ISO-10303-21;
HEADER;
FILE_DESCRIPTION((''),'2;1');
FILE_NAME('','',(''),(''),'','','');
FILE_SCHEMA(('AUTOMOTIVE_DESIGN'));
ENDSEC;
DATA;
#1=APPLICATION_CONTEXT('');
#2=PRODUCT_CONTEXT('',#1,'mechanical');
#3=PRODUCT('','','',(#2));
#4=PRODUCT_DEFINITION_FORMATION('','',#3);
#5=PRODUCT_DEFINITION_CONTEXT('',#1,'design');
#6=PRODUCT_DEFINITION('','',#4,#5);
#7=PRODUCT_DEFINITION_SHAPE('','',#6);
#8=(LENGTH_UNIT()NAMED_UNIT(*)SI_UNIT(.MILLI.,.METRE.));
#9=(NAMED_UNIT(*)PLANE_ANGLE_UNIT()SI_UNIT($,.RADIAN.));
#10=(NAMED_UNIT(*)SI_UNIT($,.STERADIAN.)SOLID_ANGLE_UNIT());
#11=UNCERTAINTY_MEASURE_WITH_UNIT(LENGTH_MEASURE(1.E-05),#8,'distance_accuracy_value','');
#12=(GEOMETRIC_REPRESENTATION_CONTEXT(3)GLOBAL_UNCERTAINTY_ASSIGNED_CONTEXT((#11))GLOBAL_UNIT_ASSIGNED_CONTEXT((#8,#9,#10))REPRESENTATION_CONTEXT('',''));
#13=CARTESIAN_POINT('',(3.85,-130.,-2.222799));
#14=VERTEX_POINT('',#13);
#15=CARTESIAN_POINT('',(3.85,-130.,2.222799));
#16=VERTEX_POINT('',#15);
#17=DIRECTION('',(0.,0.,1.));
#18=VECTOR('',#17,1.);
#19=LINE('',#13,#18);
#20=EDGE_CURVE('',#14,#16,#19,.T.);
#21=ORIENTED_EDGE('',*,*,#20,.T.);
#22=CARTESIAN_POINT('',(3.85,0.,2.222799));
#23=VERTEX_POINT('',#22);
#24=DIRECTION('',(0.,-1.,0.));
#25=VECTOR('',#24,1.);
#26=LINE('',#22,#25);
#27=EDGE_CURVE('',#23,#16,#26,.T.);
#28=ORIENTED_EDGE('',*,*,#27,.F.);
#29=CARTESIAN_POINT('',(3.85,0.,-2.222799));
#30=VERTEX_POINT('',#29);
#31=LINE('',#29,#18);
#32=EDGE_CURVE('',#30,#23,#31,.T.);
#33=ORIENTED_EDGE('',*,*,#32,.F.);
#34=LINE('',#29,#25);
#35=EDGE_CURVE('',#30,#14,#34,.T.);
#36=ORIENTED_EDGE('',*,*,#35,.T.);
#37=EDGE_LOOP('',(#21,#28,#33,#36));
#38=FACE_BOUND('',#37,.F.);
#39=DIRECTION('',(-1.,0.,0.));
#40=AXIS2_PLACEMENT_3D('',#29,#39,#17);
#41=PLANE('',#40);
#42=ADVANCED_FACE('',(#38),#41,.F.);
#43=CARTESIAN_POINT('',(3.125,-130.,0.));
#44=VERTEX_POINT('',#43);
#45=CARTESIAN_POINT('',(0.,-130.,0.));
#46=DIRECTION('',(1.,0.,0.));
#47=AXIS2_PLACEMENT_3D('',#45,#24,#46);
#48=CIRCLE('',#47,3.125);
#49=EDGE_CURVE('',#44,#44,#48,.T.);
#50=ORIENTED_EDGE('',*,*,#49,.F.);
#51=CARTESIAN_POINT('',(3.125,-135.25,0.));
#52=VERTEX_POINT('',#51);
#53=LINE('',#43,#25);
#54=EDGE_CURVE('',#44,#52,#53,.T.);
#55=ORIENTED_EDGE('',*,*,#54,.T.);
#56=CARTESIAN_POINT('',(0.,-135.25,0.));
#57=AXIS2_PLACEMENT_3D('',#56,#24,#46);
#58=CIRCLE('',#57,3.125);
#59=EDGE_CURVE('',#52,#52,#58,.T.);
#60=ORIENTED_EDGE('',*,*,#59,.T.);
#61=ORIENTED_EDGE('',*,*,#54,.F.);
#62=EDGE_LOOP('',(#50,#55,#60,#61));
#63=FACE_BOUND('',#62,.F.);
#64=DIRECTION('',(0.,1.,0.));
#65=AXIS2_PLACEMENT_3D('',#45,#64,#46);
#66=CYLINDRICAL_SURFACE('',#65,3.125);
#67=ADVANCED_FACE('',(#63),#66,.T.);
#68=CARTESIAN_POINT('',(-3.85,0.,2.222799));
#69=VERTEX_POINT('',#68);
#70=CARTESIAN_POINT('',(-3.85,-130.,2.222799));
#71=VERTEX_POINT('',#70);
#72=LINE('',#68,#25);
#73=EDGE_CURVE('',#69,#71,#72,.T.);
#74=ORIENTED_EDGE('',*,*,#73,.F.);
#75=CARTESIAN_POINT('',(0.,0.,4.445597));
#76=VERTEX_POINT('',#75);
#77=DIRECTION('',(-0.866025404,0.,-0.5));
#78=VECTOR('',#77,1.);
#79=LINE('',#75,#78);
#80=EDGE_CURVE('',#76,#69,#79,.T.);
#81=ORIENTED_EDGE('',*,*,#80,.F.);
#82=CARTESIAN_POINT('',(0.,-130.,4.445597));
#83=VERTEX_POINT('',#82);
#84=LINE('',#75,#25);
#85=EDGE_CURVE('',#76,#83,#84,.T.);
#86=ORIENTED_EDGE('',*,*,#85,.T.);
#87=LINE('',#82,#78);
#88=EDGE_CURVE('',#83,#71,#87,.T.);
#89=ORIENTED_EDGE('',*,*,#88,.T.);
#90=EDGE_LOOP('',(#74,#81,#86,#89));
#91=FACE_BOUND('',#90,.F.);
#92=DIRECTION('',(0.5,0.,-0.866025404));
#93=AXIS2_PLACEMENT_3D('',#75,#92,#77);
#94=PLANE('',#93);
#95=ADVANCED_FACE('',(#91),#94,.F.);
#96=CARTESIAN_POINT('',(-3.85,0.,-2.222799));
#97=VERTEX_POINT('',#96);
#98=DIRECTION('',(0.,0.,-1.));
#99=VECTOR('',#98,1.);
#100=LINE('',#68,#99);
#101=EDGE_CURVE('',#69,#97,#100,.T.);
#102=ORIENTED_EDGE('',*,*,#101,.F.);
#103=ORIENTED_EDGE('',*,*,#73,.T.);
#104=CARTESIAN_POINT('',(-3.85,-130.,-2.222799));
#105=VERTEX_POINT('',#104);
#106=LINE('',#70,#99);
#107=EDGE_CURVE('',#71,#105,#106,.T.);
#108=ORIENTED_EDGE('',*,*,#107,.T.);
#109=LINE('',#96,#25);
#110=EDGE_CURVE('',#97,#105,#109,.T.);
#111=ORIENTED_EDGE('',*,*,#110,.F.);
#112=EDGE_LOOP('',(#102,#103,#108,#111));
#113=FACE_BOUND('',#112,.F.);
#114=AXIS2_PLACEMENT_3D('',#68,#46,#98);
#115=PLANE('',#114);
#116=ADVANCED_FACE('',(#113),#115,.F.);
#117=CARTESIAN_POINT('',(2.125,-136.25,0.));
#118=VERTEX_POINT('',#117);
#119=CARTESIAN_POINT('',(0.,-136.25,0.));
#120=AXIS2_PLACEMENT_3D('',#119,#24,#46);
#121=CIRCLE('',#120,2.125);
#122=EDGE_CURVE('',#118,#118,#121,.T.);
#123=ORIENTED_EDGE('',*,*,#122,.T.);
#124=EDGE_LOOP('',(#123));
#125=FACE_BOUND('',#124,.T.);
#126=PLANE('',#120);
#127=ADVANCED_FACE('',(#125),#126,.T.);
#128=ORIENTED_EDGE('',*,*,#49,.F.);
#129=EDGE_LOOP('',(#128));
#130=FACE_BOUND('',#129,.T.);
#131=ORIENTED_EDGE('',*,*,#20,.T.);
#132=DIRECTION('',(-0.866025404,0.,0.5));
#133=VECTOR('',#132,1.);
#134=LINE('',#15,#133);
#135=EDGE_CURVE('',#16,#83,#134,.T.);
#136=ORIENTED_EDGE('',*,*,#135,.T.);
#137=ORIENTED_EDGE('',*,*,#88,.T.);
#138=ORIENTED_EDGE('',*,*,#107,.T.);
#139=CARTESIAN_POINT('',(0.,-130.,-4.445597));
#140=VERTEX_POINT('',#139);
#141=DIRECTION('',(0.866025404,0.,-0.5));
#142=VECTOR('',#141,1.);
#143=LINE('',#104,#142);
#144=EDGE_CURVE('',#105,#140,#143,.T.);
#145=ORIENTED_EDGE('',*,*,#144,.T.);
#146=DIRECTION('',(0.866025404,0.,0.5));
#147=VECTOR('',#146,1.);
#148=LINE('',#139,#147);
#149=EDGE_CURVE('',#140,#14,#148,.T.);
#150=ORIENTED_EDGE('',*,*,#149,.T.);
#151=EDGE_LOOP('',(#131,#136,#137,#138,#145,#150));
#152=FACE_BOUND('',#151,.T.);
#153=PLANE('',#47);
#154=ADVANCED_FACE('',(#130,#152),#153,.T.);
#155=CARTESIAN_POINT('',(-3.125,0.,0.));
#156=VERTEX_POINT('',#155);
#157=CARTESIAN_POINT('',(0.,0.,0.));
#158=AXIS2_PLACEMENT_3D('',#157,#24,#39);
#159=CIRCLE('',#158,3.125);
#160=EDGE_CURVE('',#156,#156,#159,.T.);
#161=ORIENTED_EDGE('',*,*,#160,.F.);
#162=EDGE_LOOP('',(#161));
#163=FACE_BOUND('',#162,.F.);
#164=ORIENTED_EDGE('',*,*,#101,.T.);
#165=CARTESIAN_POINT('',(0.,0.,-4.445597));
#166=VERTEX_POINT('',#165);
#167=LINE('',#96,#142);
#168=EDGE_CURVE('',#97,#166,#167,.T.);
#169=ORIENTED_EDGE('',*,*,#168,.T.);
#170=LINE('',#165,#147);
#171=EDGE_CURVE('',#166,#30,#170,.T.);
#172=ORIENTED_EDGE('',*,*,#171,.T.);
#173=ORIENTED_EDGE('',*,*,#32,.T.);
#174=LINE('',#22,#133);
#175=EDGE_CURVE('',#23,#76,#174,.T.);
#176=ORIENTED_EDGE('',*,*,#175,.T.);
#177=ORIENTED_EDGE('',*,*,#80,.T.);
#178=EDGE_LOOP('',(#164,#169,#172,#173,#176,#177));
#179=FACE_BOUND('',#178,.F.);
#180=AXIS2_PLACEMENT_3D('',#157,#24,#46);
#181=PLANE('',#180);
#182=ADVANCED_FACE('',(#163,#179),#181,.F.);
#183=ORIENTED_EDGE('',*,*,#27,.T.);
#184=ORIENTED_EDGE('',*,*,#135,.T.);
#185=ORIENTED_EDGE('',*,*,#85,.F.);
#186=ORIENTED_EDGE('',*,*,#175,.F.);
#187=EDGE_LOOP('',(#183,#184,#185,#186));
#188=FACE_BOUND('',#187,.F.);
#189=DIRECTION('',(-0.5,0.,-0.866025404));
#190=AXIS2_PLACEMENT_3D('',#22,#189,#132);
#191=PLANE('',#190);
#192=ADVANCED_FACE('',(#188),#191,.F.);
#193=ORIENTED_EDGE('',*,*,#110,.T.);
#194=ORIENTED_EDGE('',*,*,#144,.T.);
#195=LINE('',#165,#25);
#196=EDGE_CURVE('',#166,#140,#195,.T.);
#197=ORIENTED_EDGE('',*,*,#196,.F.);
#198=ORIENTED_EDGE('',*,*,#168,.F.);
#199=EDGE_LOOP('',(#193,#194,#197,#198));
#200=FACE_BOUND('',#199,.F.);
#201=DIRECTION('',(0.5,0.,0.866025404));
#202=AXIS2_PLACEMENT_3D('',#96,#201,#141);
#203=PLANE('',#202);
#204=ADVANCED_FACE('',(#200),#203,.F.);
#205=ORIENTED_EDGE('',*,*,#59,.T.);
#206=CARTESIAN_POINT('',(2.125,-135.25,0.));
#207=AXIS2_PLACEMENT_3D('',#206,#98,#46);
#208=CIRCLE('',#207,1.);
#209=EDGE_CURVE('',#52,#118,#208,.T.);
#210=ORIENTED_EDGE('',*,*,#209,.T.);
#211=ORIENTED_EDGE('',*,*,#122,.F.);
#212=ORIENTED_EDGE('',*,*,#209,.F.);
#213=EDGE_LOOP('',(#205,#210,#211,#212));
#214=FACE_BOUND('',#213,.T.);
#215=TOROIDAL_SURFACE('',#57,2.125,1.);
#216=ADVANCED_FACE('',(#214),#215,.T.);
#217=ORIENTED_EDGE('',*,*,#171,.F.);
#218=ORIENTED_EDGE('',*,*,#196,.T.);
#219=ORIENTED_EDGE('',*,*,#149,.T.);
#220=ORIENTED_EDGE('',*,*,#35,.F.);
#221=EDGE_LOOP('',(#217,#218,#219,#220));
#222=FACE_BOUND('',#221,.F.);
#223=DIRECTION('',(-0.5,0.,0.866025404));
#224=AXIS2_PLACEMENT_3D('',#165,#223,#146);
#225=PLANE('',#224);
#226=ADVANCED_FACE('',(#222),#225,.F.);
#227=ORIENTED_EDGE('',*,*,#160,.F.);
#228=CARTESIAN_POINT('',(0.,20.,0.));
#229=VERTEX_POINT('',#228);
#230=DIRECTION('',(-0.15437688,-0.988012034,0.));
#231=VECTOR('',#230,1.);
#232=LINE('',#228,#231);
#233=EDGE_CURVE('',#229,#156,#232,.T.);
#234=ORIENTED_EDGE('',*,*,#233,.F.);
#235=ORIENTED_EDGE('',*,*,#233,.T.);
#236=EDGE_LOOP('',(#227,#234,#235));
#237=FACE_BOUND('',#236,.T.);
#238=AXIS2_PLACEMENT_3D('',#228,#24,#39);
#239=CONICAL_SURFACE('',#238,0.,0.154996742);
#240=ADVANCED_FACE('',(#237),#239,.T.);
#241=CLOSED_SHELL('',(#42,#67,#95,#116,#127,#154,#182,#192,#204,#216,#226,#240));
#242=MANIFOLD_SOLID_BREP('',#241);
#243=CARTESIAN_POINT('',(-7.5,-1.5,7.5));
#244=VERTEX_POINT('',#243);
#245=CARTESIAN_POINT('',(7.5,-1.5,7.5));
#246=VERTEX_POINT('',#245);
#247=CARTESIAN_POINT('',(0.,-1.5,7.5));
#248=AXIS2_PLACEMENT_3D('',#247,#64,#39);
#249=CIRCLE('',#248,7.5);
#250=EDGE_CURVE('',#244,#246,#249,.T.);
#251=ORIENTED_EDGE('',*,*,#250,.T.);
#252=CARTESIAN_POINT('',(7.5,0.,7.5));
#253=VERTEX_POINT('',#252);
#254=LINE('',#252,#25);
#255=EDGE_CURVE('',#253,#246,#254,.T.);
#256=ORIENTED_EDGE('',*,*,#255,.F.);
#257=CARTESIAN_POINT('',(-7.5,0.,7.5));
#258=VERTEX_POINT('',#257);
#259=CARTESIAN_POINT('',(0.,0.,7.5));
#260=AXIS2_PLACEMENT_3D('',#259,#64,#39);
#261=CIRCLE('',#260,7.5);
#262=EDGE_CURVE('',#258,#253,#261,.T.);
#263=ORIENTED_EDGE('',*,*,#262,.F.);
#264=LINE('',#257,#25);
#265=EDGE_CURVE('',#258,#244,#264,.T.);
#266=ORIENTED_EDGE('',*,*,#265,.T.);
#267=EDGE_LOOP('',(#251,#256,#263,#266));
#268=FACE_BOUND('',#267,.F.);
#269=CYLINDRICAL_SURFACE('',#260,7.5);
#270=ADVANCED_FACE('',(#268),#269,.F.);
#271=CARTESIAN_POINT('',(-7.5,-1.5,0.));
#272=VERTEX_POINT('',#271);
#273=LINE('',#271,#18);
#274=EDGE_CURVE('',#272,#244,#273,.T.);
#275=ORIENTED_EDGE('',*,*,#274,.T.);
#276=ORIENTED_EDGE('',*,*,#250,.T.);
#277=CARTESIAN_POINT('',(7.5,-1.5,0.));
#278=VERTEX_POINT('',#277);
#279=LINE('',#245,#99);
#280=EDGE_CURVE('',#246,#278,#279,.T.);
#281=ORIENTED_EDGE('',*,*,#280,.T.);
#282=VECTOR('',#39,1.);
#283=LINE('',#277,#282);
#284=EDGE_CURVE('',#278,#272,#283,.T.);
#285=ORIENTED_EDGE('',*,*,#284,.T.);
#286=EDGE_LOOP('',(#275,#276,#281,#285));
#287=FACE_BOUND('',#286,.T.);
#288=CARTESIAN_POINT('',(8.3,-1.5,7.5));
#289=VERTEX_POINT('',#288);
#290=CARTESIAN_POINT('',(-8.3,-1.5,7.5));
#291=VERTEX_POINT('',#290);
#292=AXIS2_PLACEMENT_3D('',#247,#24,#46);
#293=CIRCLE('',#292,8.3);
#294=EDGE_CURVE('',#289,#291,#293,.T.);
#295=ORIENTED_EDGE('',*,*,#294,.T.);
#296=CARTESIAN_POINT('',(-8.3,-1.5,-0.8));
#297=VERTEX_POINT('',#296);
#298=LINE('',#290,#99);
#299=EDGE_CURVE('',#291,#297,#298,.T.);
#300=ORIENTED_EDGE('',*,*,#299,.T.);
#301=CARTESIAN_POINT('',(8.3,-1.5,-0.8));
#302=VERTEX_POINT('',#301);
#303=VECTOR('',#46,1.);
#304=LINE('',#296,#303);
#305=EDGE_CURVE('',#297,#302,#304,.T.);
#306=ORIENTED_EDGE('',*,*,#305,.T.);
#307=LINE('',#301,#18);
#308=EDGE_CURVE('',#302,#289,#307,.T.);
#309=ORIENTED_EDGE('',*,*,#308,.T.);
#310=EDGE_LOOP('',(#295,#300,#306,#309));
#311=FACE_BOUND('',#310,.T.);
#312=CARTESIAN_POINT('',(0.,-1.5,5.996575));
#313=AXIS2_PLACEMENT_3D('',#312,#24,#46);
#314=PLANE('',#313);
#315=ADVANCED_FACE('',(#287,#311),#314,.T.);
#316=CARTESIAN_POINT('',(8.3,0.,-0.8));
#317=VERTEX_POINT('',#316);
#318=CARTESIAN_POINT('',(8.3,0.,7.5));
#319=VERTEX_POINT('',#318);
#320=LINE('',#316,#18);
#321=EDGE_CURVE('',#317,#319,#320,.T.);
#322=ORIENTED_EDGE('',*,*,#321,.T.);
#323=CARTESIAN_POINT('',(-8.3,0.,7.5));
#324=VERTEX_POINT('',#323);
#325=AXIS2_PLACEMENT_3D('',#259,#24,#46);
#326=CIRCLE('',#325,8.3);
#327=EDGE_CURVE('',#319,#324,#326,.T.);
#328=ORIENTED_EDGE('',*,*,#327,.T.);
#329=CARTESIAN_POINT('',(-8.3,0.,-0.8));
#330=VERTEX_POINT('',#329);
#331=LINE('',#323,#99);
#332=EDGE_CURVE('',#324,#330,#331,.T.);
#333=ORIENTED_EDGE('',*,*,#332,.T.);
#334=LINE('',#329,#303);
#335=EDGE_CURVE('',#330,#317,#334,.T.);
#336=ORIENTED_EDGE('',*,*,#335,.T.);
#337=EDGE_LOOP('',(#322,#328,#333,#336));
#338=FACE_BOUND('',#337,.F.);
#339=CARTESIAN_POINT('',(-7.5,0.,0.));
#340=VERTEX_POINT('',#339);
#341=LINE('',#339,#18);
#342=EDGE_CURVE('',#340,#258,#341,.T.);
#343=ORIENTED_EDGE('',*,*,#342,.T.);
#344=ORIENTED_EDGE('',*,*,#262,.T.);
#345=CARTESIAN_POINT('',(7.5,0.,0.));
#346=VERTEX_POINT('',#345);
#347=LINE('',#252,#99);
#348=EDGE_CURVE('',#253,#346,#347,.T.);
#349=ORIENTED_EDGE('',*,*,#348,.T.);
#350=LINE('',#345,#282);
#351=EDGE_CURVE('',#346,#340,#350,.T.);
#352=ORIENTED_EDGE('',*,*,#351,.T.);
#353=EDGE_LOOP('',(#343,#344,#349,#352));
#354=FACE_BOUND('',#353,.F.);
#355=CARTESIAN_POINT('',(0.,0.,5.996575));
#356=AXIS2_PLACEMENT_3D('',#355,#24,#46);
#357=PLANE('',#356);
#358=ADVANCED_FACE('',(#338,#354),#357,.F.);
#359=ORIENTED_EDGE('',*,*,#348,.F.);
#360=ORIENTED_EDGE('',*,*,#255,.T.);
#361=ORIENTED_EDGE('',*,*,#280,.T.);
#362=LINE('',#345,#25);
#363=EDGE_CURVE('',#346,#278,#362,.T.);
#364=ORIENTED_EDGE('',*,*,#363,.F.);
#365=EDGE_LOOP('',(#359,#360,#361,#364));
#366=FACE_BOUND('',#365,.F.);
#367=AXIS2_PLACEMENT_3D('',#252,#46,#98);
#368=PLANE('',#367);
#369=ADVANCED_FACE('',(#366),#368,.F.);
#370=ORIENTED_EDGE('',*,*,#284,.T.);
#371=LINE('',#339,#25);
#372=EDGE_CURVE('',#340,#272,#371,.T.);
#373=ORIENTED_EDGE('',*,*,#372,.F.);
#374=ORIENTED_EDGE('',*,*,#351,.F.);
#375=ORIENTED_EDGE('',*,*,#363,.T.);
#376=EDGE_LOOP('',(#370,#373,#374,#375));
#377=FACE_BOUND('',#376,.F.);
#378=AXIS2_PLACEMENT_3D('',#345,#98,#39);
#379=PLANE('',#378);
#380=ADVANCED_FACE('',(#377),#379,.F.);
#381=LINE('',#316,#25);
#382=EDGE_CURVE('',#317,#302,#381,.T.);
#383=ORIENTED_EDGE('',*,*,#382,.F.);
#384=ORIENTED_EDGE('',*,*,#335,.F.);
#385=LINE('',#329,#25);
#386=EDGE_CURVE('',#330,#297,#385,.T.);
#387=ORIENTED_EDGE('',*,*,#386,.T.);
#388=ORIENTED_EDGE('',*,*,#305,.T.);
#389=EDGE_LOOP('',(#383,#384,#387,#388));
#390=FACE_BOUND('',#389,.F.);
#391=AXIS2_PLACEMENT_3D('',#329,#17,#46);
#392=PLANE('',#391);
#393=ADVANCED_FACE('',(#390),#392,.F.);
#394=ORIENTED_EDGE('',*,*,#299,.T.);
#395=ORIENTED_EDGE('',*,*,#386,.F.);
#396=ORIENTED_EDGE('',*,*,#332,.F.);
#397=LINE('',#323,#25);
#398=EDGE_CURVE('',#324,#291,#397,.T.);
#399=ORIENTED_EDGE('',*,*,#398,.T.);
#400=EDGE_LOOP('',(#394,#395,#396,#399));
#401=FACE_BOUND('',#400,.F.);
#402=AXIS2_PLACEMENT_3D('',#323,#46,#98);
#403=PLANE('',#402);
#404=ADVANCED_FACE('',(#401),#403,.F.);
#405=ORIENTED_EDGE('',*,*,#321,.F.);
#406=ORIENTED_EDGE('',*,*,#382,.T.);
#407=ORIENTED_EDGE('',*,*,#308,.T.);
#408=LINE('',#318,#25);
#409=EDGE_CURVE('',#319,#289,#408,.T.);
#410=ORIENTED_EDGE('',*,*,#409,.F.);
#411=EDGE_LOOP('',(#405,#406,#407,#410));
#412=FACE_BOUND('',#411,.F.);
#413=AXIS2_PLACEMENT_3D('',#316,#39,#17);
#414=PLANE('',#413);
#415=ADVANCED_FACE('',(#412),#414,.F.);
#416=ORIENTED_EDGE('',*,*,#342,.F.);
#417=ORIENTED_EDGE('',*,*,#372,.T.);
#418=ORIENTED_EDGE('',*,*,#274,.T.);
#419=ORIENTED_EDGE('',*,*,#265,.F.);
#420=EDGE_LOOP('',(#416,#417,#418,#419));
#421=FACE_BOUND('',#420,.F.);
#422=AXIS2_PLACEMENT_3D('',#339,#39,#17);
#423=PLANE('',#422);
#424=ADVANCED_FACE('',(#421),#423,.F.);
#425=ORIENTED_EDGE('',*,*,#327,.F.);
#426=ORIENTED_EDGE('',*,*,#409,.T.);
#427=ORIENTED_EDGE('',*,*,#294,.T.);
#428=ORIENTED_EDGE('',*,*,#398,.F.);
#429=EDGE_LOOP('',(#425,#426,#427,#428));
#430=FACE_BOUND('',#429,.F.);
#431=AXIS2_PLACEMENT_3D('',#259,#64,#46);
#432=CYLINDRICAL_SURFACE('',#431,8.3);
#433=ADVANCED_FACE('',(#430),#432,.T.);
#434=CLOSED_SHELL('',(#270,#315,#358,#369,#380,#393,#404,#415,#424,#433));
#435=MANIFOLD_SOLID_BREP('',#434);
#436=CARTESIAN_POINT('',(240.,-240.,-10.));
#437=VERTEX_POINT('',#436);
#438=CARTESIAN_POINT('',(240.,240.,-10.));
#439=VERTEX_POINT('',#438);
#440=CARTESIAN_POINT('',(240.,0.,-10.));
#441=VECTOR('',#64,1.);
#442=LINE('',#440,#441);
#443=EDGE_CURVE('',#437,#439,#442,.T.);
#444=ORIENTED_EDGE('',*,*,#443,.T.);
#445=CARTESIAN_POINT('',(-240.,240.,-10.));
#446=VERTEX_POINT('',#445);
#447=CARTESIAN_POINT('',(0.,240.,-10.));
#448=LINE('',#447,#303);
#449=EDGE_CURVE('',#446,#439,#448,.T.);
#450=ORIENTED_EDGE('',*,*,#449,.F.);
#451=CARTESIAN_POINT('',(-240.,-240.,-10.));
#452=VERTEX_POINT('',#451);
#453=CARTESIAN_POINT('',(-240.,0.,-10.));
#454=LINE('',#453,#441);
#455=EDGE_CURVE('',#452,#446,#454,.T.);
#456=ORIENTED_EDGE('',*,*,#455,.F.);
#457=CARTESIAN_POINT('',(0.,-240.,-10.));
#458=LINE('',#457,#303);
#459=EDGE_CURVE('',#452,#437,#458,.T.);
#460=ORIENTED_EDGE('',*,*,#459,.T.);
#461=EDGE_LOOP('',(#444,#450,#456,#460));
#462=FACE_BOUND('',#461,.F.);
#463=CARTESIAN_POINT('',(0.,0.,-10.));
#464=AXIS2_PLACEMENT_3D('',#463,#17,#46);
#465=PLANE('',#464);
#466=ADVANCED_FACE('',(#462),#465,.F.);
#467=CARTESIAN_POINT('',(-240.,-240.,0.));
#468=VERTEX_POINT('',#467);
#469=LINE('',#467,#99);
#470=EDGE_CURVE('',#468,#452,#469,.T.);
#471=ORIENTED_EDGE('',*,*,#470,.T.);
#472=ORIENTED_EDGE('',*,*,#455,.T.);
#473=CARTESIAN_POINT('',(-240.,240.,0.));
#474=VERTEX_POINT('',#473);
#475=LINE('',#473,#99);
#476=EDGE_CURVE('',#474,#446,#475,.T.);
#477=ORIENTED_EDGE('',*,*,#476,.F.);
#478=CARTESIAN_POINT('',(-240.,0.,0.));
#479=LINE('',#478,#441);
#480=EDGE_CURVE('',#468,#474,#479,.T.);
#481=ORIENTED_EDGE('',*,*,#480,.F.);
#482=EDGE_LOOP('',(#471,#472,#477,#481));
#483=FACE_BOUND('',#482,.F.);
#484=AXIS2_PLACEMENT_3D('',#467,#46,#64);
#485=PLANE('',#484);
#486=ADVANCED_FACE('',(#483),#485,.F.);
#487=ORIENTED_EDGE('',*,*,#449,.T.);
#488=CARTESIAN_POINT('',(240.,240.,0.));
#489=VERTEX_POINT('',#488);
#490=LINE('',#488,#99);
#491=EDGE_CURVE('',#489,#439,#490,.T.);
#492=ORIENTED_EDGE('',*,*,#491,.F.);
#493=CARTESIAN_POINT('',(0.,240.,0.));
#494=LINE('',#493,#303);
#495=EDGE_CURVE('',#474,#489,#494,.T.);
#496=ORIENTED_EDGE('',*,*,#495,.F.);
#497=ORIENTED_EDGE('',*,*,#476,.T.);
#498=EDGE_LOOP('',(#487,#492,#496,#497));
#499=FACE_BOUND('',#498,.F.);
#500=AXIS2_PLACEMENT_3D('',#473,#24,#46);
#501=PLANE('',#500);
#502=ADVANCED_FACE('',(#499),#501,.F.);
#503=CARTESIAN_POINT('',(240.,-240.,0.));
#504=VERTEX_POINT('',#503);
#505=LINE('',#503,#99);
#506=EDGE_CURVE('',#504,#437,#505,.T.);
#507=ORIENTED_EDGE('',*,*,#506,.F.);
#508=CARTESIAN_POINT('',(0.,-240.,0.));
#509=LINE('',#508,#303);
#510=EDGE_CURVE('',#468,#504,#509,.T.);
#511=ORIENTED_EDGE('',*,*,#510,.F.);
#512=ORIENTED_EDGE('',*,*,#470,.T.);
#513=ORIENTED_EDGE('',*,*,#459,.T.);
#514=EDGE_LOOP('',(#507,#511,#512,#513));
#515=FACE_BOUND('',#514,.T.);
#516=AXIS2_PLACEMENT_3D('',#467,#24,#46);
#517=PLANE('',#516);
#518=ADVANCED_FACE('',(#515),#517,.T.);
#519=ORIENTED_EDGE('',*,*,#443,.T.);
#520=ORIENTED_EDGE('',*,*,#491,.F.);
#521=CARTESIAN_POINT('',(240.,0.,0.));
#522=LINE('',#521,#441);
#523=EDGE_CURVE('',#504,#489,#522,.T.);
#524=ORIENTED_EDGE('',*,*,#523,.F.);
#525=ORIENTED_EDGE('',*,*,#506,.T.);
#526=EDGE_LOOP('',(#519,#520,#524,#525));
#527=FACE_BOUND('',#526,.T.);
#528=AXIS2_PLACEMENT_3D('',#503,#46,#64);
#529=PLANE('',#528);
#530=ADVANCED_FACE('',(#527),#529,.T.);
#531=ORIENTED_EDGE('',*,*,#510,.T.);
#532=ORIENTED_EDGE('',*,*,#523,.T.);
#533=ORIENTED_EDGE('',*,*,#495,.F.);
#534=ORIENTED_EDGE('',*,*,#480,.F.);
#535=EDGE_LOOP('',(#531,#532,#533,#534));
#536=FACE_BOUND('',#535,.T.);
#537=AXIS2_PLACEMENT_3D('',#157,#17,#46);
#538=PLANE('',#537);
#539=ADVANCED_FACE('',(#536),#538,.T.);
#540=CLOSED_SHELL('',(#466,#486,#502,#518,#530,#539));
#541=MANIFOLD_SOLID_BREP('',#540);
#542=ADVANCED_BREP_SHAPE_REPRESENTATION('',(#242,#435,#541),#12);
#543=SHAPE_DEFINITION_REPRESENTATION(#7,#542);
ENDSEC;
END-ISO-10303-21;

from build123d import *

# Parameters (mm, degrees)
F1_DEPTH = 1.5
F2_W     = 480
F2_H     = 480
F3_DEPTH = 10
F5_DEPTH = 130
F6_R     = 3.125
F7_DEPTH = 6.25
F8_R     = 1


with BuildPart() as f1:
    # F0 (on Front) → F1 (new body)
    with BuildSketch(Plane.XZ):
        with BuildLine():
            ThreePointArc((8.3, 7.5), (0, 15.8), (-8.3, 7.5))
            Line((-8.3, 7.5), (-8.3, -0.8))
            Line((-8.3, -0.8), (8.3, -0.8))
            Line((8.3, -0.8), (8.3, 7.5))
        make_face()
        with BuildLine():
            Line((7.5, 0), (-7.5, 0))
            Line((-7.5, 0), (-7.5, 7.5))
            ThreePointArc((-7.5, 7.5), (0, 15), (7.5, 7.5))
            Line((7.5, 7.5), (7.5, 0))
        make_face(mode=Mode.SUBTRACT)
    extrude(amount=F1_DEPTH)


with BuildPart() as f3:
    # F2 (on Top) → F3 (new body)
    with BuildSketch(Plane.XY):
        Rectangle(F2_W, F2_H)
    extrude(amount=-F3_DEPTH)


with BuildPart() as f5:
    # F4 (on Front) → F5 (new body)
    with BuildSketch(Plane.XZ):
        Polygon((3.85, -2.2227985364), (3.85, 2.2227985364), (0, 4.4455970728), (-3.85, 2.2227985364), (-3.85, -2.2227985364), (0, -4.4455970728), align=None)
    extrude(amount=F5_DEPTH)

    # F6 (on face) → F7 (join)
    with BuildSketch(Plane.XZ.offset(130)):
        Circle(F6_R)
    extrude(amount=F7_DEPTH)

    # F8
    f8_edges = [f5.edges().sort_by_distance(p)[0] for p in [
        (-3.125, -136.25, 0),
    ]]
    fillet(f8_edges, radius=F8_R)

    # F9 (on Top) → F10 (revolve)
    with BuildSketch(Plane.XY):
        Polygon((-3.125, 0), (0, 0), (0, 20), align=None)
    revolve(axis=Axis((0, 10, 0), (0, -1, 0)))


solid = Compound([f1.part, f3.part, f5.part])
